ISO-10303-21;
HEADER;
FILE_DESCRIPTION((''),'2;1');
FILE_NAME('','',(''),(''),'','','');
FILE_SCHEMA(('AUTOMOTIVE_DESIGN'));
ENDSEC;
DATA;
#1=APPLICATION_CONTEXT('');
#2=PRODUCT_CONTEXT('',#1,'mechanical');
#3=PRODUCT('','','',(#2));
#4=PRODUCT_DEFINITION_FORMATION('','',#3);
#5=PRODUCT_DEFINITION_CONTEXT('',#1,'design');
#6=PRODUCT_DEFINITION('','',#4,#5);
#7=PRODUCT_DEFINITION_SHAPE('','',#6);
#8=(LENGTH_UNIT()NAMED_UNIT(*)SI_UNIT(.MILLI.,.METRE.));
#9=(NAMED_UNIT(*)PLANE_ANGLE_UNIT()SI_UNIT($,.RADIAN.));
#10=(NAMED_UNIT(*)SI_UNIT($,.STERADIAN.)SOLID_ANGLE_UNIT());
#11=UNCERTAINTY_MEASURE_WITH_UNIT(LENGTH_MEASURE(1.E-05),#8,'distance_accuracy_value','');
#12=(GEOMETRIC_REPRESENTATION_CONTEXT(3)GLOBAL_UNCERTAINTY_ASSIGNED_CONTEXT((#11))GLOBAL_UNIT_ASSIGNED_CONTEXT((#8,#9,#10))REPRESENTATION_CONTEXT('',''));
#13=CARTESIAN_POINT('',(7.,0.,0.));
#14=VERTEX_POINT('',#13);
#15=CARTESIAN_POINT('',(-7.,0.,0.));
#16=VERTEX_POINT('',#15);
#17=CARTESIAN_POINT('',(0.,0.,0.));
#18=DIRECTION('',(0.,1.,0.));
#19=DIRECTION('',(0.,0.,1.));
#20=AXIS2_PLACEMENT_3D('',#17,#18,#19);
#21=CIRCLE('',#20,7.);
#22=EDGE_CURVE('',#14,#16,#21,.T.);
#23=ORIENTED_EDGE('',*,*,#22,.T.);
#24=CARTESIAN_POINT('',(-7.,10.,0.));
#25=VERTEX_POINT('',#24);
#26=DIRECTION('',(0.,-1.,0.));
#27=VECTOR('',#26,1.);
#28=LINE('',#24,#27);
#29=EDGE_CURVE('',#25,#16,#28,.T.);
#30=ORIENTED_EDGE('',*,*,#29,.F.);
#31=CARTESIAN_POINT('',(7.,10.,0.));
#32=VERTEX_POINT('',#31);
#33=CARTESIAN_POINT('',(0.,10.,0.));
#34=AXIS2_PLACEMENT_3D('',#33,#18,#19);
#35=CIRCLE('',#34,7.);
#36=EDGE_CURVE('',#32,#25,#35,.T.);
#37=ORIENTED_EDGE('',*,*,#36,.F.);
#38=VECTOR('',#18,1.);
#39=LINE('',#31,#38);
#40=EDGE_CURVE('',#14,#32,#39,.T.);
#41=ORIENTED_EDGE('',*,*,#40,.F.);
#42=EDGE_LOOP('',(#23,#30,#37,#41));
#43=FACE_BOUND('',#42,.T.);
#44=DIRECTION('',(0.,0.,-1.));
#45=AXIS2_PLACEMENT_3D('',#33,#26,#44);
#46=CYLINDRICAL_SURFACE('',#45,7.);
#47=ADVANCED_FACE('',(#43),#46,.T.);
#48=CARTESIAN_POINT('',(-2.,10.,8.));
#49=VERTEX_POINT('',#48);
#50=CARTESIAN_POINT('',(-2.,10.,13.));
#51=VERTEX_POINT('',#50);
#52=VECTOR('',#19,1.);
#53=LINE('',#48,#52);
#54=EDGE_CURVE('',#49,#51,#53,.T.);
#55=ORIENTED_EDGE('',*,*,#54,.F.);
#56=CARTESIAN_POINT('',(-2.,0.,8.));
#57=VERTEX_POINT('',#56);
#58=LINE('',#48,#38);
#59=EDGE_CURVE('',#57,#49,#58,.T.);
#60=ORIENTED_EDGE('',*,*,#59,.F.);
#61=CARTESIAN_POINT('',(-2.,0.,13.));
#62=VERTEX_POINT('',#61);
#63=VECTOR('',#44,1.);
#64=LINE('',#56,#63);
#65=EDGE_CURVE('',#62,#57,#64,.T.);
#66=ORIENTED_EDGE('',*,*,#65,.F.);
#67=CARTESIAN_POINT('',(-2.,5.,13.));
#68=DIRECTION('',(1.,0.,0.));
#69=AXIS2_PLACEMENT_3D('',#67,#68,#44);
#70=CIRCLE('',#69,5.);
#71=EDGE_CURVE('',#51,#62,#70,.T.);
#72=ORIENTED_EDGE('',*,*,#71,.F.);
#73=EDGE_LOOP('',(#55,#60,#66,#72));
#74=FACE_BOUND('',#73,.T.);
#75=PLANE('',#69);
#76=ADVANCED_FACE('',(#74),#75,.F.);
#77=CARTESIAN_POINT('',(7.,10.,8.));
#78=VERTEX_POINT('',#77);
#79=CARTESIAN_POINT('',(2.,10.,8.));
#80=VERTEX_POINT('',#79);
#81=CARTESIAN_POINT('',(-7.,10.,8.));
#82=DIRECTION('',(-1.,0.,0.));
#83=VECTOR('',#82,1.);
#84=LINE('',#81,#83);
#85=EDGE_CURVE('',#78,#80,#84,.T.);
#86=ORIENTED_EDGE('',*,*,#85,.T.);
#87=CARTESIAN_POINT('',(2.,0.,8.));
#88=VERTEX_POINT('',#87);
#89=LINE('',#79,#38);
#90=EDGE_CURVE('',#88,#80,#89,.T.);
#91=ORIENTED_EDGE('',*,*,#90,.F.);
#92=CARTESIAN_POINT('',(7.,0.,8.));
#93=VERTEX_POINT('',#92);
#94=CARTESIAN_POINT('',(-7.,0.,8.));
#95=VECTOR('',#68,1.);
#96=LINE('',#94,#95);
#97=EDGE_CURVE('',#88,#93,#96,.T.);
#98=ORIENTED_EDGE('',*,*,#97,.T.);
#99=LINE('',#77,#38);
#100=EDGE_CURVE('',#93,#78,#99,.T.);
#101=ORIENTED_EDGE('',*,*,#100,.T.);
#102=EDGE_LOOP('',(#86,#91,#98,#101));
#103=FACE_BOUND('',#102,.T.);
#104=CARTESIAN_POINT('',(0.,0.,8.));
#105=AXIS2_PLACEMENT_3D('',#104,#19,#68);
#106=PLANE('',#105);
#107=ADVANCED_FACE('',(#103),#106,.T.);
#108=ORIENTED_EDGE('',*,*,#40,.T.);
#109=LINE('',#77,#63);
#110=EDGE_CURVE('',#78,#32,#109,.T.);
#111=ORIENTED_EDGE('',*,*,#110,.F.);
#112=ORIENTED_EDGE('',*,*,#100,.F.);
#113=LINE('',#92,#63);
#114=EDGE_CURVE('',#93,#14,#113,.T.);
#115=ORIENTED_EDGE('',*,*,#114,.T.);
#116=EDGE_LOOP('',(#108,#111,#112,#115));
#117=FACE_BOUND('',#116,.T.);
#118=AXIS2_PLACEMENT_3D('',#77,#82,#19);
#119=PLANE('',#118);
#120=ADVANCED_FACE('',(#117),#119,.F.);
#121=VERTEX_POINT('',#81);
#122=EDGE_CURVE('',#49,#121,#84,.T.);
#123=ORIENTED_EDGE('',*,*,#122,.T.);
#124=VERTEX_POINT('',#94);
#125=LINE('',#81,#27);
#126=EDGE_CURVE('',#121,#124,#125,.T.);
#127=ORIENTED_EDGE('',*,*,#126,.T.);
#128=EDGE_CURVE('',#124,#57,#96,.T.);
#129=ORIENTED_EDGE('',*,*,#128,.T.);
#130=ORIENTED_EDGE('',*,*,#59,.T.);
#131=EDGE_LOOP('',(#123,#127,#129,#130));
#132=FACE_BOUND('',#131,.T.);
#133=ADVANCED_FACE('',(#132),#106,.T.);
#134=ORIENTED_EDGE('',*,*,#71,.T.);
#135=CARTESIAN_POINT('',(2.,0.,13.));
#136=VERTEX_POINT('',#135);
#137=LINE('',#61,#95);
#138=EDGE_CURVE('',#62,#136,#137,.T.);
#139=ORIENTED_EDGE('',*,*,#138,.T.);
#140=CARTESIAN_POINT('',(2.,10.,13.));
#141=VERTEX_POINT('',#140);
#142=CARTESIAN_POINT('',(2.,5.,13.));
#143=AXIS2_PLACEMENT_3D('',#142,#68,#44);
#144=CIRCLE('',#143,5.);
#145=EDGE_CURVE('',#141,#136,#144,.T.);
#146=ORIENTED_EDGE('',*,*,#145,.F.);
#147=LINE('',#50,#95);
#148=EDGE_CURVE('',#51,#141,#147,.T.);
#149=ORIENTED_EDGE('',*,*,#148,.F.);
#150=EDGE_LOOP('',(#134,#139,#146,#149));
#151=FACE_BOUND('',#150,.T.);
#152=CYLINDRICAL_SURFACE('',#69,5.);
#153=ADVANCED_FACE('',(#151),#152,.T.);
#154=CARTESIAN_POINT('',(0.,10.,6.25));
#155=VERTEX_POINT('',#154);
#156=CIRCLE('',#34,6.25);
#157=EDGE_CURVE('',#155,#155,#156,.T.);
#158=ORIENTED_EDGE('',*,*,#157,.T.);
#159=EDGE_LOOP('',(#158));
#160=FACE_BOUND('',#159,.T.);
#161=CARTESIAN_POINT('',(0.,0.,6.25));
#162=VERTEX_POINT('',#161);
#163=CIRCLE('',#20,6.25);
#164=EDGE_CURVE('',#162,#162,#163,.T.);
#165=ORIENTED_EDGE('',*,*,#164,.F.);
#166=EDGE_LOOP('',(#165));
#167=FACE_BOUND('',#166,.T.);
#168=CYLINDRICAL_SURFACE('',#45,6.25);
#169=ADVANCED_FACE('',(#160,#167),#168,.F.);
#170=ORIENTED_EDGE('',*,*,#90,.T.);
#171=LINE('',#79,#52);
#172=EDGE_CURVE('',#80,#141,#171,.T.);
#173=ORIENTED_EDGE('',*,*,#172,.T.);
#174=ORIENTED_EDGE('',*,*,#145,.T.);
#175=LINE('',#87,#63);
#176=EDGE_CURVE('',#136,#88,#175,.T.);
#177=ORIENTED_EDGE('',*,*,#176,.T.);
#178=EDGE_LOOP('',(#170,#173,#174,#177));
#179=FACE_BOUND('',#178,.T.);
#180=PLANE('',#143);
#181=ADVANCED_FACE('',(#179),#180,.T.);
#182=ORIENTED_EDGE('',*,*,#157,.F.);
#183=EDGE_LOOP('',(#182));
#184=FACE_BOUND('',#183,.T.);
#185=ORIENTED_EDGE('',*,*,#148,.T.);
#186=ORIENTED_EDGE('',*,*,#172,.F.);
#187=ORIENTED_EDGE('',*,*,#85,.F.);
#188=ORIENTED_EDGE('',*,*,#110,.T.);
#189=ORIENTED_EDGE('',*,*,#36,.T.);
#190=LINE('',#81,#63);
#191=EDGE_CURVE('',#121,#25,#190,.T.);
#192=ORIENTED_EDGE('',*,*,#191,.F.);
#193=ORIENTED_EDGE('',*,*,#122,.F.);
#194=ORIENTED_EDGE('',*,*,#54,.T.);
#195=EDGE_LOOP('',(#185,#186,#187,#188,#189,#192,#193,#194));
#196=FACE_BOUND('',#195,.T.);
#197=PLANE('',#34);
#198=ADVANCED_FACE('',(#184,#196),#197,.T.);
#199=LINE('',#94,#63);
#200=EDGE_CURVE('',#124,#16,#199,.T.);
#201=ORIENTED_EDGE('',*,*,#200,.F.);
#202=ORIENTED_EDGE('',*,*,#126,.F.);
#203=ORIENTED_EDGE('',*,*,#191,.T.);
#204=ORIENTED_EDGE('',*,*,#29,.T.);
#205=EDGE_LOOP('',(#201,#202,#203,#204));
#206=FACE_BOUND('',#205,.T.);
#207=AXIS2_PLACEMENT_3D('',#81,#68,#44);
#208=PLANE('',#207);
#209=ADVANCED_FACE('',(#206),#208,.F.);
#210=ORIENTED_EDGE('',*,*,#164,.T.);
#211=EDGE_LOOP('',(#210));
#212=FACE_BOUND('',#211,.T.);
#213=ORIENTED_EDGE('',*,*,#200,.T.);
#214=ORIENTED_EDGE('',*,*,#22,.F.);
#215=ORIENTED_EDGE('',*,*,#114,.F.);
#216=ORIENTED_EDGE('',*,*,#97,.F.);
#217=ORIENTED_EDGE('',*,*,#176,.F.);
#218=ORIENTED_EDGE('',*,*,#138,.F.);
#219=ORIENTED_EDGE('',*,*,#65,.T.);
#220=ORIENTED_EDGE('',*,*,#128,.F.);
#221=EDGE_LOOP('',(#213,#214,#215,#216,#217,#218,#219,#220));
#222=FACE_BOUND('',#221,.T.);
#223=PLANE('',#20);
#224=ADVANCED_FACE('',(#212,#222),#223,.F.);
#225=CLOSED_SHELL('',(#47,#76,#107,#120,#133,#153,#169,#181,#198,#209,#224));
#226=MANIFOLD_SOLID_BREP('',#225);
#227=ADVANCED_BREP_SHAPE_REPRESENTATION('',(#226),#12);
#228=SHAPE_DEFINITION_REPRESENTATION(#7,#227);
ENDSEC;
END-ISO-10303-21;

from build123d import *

# Parameters (mm, degrees)
SKETCH1_R                = 7
SKETCH1_R_2              = 6.25
BOSS_EXTRUDE1_DEPTH      = 10
SKETCH3_W                = 14
SKETCH3_H                = 10
BOSS_EXTRUDE2_DEPTH      = 8
SKETCH4_R                = 6.25
CUT_EXTRUDE1_DEPTH       = 20
BOSS_EXTRUDE3_DEPTH      = 2
BOSS_EXTRUDE3_DEPTH_BACK = 2


with BuildPart() as part:
    # Sketch1 → Boss-Extrude1 (new body)
    with BuildSketch(Plane(origin=(0, 0, 0), x_dir=(1, 0, 0), z_dir=(0, 1, 0))):
        Circle(SKETCH1_R)
        Circle(SKETCH1_R_2, mode=Mode.SUBTRACT)
    extrude(amount=BOSS_EXTRUDE1_DEPTH)

    # Sketch3 → Boss-Extrude2 (add)
    with BuildSketch(Plane.XY):
        with Locations((0, 5)):
            Rectangle(SKETCH3_W, SKETCH3_H)
    extrude(amount=BOSS_EXTRUDE2_DEPTH)

    # Sketch4 → Cut-Extrude1 (cut)
    with BuildSketch(Plane(origin=(0, 10, 0), x_dir=(1, 0, 0), z_dir=(0, 1, 0))):
        Circle(SKETCH4_R)
    extrude(amount=-CUT_EXTRUDE1_DEPTH, mode=Mode.SUBTRACT)

    # Sketch6 → Boss-Extrude3 (add, two sides)
    with BuildSketch(Plane(origin=(0, 0, 0), x_dir=(0, 0, -1), z_dir=(1, 0, 0))) as boss_extrude3_sk:
        with BuildLine():
            Line((-8, 10), (-13, 10))
            ThreePointArc((-13, 10), (-18, 5), (-13, 0))
            Line((-13, 0), (-8, 0))
            Line((-8, 0), (-8, 10))
        make_face()
    extrude(amount=BOSS_EXTRUDE3_DEPTH)
    extrude(boss_extrude3_sk.sketch, amount=-BOSS_EXTRUDE3_DEPTH_BACK)


solid = part.part
